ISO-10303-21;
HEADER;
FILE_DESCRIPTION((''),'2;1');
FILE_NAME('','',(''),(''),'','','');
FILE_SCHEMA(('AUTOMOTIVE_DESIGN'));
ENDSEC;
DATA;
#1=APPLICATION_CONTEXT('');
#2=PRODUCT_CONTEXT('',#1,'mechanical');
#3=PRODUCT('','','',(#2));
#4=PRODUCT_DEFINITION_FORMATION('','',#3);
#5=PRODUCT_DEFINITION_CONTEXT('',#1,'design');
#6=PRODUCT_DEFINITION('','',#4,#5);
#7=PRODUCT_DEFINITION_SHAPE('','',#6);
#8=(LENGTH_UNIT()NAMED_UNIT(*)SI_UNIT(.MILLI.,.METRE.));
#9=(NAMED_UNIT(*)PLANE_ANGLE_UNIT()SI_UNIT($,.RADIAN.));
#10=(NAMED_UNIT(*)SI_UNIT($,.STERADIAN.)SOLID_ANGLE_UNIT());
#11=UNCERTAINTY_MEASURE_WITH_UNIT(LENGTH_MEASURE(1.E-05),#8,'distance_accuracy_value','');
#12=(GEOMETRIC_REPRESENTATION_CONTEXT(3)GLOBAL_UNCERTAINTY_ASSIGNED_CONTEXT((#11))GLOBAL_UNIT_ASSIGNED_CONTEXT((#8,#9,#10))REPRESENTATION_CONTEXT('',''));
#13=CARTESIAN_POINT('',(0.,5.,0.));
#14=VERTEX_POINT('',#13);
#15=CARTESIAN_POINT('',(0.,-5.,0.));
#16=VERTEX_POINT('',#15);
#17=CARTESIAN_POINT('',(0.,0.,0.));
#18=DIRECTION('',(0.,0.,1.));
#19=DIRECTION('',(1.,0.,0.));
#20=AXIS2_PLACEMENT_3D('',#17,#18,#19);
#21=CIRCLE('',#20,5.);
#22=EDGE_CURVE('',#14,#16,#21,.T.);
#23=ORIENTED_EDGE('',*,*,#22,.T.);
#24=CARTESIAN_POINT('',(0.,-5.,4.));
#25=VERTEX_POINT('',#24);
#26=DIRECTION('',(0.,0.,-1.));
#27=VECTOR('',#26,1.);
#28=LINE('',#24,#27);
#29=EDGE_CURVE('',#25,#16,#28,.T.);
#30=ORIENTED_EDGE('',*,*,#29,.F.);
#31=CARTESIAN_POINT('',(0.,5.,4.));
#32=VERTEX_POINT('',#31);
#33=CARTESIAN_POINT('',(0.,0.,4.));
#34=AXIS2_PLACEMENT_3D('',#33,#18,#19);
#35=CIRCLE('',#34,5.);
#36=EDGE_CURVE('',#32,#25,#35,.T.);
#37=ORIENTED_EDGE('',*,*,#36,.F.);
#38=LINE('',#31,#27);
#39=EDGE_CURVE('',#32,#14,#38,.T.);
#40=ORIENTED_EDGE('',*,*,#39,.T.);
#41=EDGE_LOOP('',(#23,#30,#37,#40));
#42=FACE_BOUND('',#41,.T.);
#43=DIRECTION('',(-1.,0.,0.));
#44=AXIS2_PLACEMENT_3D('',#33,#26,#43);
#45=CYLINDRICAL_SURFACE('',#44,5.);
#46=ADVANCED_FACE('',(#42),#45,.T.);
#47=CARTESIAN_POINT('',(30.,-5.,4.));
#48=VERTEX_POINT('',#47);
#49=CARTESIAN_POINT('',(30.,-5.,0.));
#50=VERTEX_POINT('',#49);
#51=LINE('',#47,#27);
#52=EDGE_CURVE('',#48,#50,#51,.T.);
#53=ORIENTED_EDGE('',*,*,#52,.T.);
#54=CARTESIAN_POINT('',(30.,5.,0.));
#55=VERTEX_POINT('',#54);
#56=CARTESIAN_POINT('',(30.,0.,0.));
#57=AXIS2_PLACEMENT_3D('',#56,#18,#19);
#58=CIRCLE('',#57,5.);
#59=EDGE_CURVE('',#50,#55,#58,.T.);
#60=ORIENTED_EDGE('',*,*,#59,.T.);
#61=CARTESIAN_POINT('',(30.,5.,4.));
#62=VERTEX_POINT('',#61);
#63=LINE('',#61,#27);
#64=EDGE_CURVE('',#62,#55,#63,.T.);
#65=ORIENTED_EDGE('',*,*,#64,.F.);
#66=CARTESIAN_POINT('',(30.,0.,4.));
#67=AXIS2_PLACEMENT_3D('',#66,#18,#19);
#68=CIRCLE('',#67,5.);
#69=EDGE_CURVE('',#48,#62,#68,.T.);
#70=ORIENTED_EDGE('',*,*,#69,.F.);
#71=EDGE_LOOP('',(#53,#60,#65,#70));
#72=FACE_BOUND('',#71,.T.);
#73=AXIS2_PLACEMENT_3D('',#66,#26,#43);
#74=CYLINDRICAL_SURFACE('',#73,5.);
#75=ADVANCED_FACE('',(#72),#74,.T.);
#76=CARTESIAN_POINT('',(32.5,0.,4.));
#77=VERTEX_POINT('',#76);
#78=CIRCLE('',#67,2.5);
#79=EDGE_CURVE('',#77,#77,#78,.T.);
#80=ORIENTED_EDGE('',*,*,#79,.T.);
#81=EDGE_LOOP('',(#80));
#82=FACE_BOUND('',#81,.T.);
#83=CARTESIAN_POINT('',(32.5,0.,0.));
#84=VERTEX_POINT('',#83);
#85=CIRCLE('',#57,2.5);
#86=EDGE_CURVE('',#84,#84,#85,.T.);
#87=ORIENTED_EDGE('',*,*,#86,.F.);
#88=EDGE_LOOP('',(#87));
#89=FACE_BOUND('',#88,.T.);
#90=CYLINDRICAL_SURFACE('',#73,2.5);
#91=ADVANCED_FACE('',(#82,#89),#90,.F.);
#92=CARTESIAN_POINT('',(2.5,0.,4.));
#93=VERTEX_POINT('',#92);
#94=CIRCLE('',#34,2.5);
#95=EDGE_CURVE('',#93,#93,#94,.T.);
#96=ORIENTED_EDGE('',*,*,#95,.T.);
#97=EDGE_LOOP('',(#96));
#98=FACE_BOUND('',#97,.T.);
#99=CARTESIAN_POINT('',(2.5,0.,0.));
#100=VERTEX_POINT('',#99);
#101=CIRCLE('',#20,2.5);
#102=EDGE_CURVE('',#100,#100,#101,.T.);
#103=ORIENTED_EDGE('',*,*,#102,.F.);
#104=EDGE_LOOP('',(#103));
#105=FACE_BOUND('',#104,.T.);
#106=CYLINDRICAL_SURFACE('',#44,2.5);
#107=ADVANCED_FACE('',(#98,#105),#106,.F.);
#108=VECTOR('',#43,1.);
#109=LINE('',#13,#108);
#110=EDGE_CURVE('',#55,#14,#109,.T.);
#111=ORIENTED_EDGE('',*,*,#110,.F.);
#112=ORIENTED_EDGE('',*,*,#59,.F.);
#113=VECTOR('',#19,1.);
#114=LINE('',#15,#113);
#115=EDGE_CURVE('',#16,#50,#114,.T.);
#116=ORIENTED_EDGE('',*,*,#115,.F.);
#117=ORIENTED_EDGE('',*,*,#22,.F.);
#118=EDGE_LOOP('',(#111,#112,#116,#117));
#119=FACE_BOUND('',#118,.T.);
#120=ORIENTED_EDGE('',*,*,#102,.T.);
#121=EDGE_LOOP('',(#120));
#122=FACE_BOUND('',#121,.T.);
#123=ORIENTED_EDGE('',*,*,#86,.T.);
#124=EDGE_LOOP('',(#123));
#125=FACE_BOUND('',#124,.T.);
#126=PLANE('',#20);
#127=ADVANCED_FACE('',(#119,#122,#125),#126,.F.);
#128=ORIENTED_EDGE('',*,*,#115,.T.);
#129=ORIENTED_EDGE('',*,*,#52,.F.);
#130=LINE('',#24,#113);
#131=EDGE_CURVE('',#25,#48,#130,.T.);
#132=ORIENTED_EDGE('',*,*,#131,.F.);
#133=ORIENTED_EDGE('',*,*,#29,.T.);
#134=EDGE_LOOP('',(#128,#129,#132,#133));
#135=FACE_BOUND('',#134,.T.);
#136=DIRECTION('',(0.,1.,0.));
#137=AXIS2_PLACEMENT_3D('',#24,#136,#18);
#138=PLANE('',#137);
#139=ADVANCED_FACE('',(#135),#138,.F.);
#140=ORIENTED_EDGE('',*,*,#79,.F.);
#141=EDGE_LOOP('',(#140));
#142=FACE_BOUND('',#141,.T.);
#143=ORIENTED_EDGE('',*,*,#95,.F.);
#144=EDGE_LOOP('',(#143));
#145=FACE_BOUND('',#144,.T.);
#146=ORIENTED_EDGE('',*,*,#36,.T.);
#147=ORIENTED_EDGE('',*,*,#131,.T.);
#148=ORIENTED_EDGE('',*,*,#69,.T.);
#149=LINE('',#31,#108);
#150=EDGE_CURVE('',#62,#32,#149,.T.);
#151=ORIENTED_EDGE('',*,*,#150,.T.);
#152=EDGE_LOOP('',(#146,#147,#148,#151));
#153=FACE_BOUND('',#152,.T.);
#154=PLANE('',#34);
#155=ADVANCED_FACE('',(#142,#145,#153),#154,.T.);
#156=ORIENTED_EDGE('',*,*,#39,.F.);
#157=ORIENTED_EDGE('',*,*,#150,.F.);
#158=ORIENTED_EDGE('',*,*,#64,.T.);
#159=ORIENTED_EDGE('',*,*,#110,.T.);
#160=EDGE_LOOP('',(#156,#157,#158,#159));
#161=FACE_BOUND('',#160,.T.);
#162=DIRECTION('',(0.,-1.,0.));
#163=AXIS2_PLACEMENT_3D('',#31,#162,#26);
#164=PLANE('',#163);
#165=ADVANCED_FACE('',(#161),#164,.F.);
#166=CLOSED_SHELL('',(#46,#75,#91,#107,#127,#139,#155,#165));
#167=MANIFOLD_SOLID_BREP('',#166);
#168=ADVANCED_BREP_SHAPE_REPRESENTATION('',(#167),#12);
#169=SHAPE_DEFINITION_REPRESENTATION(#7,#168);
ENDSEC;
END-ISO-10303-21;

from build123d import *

# Parameters (mm, degrees)
ESQUISSE1_R        = 2.5
BOSS_EXTRU_1_DEPTH = 4


with BuildPart() as part:
    # Esquisse1 → Boss.-Extru.1 (new body)
    with BuildSketch(Plane.XY):
        with BuildLine():
            Line((0, 5), (30, 5))
            ThreePointArc((30, 5), (35, 0), (30, -5))
            Line((30, -5), (0, -5))
            ThreePointArc((0, -5), (-5, 0), (0, 5))
        make_face()
        with Locations((30, 0)):
            Circle(ESQUISSE1_R, mode=Mode.SUBTRACT)
        Circle(ESQUISSE1_R, mode=Mode.SUBTRACT)
    extrude(amount=BOSS_EXTRU_1_DEPTH)


solid = part.part
